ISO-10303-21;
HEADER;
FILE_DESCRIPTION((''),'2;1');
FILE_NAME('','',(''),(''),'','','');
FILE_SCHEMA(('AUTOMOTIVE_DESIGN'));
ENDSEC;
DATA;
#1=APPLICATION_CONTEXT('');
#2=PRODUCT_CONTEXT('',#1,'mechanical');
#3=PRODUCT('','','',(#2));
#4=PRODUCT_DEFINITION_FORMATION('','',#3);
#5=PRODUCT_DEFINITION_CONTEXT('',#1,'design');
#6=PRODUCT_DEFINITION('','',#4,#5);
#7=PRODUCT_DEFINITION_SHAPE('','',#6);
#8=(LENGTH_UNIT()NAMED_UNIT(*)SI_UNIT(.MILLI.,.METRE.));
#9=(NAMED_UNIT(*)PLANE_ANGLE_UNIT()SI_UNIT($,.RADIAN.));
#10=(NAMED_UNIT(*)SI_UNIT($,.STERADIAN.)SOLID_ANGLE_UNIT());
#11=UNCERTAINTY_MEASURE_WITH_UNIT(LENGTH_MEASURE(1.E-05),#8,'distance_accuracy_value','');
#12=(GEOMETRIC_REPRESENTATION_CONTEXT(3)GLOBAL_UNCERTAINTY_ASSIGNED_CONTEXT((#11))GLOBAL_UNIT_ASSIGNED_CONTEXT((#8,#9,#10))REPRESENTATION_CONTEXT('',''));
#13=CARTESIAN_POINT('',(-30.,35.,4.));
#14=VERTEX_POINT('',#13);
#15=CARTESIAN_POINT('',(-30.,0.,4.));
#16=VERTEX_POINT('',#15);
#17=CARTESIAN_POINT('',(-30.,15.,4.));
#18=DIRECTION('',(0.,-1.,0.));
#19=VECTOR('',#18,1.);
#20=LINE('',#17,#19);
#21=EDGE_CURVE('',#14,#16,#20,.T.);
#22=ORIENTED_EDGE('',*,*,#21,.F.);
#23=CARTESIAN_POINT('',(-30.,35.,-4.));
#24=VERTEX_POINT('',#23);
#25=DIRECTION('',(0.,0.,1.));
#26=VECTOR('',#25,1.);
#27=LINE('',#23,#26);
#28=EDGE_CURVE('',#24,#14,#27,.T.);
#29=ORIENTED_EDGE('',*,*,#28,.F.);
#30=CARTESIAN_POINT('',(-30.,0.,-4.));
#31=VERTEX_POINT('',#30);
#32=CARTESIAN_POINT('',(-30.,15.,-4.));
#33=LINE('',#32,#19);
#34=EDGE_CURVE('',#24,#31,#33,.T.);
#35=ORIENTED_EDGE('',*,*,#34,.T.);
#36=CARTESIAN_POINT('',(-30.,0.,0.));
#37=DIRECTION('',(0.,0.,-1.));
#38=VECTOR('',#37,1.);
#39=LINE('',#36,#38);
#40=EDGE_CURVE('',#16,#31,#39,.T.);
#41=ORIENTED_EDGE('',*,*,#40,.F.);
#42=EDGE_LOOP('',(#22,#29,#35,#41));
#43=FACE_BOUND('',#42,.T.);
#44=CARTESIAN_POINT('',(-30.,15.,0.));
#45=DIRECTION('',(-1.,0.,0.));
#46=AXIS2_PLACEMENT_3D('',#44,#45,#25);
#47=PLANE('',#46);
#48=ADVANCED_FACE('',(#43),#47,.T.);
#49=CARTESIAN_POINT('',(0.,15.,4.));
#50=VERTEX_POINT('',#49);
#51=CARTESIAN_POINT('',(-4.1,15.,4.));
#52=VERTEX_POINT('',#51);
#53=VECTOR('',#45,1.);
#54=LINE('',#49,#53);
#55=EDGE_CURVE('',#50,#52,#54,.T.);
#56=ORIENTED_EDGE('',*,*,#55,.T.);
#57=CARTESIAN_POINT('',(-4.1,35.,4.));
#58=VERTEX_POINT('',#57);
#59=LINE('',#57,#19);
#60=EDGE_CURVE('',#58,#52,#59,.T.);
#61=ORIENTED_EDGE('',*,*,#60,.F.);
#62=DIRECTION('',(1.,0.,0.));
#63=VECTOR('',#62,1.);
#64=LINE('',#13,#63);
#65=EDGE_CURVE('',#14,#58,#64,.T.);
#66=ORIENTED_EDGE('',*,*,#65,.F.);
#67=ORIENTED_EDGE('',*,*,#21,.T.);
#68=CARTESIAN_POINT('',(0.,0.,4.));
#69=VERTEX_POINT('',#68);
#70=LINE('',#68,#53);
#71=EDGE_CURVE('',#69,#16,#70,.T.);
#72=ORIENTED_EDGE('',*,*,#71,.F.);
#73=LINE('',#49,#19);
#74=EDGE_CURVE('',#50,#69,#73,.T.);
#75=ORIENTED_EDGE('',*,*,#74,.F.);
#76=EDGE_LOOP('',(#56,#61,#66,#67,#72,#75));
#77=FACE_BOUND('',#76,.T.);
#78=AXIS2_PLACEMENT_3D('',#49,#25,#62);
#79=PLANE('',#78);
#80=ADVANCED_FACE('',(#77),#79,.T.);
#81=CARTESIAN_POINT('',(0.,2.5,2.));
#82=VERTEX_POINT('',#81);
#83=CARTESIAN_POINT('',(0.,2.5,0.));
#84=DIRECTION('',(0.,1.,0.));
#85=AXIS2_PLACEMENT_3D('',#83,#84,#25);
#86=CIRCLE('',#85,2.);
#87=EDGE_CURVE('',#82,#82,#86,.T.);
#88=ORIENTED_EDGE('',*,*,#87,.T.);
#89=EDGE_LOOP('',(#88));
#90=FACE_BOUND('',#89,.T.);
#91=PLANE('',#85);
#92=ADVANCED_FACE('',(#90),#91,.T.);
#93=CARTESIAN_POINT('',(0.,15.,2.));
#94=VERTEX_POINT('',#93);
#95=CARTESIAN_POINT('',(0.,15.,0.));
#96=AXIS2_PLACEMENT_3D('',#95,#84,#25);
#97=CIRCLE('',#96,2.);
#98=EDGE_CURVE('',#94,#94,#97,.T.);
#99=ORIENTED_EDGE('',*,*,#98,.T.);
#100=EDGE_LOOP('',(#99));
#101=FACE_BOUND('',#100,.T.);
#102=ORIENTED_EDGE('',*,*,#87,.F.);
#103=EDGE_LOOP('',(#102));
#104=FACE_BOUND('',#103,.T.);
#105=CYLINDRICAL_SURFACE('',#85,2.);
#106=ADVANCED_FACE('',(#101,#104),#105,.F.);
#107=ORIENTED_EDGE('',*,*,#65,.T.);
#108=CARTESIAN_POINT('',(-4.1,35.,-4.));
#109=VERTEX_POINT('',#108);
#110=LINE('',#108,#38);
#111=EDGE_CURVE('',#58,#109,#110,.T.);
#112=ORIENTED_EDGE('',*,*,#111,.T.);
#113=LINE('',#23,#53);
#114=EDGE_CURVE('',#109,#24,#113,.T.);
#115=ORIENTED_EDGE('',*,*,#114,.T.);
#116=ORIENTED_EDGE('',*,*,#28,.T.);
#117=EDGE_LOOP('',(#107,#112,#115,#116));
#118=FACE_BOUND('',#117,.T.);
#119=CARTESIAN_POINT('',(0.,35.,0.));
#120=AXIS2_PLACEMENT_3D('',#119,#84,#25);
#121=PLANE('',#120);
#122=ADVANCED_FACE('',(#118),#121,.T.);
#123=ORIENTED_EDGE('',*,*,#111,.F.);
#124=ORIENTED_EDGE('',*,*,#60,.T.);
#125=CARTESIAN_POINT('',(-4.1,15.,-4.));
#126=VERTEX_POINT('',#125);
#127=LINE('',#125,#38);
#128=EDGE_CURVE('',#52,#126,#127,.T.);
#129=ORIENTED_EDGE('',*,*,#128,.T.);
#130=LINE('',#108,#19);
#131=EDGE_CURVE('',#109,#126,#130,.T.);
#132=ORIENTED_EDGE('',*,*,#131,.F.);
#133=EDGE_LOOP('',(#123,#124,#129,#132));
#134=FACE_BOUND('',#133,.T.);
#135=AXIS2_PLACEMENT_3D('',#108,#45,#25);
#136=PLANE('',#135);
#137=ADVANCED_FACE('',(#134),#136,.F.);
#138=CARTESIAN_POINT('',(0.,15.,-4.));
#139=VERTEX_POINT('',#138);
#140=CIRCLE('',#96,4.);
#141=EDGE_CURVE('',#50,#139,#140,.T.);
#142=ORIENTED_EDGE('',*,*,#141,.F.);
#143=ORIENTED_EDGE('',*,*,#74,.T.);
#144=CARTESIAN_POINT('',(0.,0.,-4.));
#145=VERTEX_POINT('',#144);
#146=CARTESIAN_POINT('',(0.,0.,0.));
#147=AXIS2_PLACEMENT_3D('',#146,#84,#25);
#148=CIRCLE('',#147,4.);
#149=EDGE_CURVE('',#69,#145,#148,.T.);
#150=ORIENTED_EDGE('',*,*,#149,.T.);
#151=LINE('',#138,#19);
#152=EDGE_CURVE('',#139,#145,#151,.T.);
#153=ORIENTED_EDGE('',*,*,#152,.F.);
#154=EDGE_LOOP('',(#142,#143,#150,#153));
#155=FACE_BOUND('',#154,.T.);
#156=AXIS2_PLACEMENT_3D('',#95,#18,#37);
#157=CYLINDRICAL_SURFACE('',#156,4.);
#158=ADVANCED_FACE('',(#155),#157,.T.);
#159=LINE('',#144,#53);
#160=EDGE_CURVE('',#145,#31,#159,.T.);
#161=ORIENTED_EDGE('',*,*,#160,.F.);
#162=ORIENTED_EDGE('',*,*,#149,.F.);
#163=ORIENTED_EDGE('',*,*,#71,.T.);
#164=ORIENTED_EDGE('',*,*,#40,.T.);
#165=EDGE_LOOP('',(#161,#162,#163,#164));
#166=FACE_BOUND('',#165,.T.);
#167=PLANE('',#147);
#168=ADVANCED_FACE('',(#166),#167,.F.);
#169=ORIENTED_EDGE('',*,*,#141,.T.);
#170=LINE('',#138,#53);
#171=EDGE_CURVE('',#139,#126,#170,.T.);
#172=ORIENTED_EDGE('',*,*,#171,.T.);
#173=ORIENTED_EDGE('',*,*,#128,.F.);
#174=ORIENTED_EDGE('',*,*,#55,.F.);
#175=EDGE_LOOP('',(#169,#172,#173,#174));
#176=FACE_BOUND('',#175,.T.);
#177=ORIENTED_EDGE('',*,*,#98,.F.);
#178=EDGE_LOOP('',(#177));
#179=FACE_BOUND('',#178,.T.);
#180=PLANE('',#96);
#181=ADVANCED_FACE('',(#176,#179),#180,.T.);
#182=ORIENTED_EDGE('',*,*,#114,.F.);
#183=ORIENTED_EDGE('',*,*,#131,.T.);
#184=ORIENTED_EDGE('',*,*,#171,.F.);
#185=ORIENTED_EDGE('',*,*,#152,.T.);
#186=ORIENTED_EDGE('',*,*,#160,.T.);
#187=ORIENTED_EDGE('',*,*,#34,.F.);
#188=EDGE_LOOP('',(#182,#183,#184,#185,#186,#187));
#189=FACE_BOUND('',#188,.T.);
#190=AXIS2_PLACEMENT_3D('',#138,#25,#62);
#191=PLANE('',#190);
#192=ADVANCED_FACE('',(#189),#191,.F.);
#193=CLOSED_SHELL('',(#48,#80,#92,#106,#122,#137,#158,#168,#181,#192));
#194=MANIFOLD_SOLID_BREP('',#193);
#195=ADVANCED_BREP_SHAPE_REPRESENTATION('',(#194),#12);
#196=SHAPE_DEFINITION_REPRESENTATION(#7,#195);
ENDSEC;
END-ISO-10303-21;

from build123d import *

# Parameters (mm, degrees)
BOSS_EXTRUDE1_DEPTH = 15
SKETCH3_R           = 2
CUT_EXTRUDE1_DEPTH  = 12.5
SKETCH4_W           = 25.9
SKETCH4_H           = 8
BOSS_EXTRUDE2_DEPTH = 20


with BuildPart() as part:
    # Sketch2 → Boss-Extrude1 (new body)
    with BuildSketch(Plane(origin=(0, 0, 0), x_dir=(1, 0, 0), z_dir=(0, 1, 0))):
        with BuildLine():
            Line((-30, -4), (0, -4))
            ThreePointArc((0, -4), (-4, 0), (0, 4))
            Line((0, 4), (-30, 4))
            Line((-30, 4), (-30, -4))
        make_face()
        with BuildLine():
            ThreePointArc((0, 4), (-4, 0), (0, -4))
            Line((0, -4), (0, 4))
        make_face()
        with BuildLine():
            Line((0, 4), (0, -4))
            ThreePointArc((0, -4), (2.828427125, -2.828427125), (4, 0))
            ThreePointArc((4, 0), (2.828427125, 2.828427125), (0, 4))
        make_face()
    extrude(amount=BOSS_EXTRUDE1_DEPTH)

    # Sketch3 → Cut-Extrude1 (cut)
    with BuildSketch(Plane(origin=(0, 15, 0), x_dir=(1, 0, 0), z_dir=(0, 1, 0))):
        with Locations(Location((0, 0, 0), (0, 0, 270))):
            Circle(SKETCH3_R)
    extrude(amount=-CUT_EXTRUDE1_DEPTH, mode=Mode.SUBTRACT)

    # Sketch4 → Boss-Extrude2 (add)
    with BuildSketch(Plane(origin=(0, 15, 0), x_dir=(1, 0, 0), z_dir=(0, 1, 0))):
        with Locations((-17.05, 0)):
            Rectangle(SKETCH4_W, SKETCH4_H)
    extrude(amount=BOSS_EXTRUDE2_DEPTH)


solid = part.part
